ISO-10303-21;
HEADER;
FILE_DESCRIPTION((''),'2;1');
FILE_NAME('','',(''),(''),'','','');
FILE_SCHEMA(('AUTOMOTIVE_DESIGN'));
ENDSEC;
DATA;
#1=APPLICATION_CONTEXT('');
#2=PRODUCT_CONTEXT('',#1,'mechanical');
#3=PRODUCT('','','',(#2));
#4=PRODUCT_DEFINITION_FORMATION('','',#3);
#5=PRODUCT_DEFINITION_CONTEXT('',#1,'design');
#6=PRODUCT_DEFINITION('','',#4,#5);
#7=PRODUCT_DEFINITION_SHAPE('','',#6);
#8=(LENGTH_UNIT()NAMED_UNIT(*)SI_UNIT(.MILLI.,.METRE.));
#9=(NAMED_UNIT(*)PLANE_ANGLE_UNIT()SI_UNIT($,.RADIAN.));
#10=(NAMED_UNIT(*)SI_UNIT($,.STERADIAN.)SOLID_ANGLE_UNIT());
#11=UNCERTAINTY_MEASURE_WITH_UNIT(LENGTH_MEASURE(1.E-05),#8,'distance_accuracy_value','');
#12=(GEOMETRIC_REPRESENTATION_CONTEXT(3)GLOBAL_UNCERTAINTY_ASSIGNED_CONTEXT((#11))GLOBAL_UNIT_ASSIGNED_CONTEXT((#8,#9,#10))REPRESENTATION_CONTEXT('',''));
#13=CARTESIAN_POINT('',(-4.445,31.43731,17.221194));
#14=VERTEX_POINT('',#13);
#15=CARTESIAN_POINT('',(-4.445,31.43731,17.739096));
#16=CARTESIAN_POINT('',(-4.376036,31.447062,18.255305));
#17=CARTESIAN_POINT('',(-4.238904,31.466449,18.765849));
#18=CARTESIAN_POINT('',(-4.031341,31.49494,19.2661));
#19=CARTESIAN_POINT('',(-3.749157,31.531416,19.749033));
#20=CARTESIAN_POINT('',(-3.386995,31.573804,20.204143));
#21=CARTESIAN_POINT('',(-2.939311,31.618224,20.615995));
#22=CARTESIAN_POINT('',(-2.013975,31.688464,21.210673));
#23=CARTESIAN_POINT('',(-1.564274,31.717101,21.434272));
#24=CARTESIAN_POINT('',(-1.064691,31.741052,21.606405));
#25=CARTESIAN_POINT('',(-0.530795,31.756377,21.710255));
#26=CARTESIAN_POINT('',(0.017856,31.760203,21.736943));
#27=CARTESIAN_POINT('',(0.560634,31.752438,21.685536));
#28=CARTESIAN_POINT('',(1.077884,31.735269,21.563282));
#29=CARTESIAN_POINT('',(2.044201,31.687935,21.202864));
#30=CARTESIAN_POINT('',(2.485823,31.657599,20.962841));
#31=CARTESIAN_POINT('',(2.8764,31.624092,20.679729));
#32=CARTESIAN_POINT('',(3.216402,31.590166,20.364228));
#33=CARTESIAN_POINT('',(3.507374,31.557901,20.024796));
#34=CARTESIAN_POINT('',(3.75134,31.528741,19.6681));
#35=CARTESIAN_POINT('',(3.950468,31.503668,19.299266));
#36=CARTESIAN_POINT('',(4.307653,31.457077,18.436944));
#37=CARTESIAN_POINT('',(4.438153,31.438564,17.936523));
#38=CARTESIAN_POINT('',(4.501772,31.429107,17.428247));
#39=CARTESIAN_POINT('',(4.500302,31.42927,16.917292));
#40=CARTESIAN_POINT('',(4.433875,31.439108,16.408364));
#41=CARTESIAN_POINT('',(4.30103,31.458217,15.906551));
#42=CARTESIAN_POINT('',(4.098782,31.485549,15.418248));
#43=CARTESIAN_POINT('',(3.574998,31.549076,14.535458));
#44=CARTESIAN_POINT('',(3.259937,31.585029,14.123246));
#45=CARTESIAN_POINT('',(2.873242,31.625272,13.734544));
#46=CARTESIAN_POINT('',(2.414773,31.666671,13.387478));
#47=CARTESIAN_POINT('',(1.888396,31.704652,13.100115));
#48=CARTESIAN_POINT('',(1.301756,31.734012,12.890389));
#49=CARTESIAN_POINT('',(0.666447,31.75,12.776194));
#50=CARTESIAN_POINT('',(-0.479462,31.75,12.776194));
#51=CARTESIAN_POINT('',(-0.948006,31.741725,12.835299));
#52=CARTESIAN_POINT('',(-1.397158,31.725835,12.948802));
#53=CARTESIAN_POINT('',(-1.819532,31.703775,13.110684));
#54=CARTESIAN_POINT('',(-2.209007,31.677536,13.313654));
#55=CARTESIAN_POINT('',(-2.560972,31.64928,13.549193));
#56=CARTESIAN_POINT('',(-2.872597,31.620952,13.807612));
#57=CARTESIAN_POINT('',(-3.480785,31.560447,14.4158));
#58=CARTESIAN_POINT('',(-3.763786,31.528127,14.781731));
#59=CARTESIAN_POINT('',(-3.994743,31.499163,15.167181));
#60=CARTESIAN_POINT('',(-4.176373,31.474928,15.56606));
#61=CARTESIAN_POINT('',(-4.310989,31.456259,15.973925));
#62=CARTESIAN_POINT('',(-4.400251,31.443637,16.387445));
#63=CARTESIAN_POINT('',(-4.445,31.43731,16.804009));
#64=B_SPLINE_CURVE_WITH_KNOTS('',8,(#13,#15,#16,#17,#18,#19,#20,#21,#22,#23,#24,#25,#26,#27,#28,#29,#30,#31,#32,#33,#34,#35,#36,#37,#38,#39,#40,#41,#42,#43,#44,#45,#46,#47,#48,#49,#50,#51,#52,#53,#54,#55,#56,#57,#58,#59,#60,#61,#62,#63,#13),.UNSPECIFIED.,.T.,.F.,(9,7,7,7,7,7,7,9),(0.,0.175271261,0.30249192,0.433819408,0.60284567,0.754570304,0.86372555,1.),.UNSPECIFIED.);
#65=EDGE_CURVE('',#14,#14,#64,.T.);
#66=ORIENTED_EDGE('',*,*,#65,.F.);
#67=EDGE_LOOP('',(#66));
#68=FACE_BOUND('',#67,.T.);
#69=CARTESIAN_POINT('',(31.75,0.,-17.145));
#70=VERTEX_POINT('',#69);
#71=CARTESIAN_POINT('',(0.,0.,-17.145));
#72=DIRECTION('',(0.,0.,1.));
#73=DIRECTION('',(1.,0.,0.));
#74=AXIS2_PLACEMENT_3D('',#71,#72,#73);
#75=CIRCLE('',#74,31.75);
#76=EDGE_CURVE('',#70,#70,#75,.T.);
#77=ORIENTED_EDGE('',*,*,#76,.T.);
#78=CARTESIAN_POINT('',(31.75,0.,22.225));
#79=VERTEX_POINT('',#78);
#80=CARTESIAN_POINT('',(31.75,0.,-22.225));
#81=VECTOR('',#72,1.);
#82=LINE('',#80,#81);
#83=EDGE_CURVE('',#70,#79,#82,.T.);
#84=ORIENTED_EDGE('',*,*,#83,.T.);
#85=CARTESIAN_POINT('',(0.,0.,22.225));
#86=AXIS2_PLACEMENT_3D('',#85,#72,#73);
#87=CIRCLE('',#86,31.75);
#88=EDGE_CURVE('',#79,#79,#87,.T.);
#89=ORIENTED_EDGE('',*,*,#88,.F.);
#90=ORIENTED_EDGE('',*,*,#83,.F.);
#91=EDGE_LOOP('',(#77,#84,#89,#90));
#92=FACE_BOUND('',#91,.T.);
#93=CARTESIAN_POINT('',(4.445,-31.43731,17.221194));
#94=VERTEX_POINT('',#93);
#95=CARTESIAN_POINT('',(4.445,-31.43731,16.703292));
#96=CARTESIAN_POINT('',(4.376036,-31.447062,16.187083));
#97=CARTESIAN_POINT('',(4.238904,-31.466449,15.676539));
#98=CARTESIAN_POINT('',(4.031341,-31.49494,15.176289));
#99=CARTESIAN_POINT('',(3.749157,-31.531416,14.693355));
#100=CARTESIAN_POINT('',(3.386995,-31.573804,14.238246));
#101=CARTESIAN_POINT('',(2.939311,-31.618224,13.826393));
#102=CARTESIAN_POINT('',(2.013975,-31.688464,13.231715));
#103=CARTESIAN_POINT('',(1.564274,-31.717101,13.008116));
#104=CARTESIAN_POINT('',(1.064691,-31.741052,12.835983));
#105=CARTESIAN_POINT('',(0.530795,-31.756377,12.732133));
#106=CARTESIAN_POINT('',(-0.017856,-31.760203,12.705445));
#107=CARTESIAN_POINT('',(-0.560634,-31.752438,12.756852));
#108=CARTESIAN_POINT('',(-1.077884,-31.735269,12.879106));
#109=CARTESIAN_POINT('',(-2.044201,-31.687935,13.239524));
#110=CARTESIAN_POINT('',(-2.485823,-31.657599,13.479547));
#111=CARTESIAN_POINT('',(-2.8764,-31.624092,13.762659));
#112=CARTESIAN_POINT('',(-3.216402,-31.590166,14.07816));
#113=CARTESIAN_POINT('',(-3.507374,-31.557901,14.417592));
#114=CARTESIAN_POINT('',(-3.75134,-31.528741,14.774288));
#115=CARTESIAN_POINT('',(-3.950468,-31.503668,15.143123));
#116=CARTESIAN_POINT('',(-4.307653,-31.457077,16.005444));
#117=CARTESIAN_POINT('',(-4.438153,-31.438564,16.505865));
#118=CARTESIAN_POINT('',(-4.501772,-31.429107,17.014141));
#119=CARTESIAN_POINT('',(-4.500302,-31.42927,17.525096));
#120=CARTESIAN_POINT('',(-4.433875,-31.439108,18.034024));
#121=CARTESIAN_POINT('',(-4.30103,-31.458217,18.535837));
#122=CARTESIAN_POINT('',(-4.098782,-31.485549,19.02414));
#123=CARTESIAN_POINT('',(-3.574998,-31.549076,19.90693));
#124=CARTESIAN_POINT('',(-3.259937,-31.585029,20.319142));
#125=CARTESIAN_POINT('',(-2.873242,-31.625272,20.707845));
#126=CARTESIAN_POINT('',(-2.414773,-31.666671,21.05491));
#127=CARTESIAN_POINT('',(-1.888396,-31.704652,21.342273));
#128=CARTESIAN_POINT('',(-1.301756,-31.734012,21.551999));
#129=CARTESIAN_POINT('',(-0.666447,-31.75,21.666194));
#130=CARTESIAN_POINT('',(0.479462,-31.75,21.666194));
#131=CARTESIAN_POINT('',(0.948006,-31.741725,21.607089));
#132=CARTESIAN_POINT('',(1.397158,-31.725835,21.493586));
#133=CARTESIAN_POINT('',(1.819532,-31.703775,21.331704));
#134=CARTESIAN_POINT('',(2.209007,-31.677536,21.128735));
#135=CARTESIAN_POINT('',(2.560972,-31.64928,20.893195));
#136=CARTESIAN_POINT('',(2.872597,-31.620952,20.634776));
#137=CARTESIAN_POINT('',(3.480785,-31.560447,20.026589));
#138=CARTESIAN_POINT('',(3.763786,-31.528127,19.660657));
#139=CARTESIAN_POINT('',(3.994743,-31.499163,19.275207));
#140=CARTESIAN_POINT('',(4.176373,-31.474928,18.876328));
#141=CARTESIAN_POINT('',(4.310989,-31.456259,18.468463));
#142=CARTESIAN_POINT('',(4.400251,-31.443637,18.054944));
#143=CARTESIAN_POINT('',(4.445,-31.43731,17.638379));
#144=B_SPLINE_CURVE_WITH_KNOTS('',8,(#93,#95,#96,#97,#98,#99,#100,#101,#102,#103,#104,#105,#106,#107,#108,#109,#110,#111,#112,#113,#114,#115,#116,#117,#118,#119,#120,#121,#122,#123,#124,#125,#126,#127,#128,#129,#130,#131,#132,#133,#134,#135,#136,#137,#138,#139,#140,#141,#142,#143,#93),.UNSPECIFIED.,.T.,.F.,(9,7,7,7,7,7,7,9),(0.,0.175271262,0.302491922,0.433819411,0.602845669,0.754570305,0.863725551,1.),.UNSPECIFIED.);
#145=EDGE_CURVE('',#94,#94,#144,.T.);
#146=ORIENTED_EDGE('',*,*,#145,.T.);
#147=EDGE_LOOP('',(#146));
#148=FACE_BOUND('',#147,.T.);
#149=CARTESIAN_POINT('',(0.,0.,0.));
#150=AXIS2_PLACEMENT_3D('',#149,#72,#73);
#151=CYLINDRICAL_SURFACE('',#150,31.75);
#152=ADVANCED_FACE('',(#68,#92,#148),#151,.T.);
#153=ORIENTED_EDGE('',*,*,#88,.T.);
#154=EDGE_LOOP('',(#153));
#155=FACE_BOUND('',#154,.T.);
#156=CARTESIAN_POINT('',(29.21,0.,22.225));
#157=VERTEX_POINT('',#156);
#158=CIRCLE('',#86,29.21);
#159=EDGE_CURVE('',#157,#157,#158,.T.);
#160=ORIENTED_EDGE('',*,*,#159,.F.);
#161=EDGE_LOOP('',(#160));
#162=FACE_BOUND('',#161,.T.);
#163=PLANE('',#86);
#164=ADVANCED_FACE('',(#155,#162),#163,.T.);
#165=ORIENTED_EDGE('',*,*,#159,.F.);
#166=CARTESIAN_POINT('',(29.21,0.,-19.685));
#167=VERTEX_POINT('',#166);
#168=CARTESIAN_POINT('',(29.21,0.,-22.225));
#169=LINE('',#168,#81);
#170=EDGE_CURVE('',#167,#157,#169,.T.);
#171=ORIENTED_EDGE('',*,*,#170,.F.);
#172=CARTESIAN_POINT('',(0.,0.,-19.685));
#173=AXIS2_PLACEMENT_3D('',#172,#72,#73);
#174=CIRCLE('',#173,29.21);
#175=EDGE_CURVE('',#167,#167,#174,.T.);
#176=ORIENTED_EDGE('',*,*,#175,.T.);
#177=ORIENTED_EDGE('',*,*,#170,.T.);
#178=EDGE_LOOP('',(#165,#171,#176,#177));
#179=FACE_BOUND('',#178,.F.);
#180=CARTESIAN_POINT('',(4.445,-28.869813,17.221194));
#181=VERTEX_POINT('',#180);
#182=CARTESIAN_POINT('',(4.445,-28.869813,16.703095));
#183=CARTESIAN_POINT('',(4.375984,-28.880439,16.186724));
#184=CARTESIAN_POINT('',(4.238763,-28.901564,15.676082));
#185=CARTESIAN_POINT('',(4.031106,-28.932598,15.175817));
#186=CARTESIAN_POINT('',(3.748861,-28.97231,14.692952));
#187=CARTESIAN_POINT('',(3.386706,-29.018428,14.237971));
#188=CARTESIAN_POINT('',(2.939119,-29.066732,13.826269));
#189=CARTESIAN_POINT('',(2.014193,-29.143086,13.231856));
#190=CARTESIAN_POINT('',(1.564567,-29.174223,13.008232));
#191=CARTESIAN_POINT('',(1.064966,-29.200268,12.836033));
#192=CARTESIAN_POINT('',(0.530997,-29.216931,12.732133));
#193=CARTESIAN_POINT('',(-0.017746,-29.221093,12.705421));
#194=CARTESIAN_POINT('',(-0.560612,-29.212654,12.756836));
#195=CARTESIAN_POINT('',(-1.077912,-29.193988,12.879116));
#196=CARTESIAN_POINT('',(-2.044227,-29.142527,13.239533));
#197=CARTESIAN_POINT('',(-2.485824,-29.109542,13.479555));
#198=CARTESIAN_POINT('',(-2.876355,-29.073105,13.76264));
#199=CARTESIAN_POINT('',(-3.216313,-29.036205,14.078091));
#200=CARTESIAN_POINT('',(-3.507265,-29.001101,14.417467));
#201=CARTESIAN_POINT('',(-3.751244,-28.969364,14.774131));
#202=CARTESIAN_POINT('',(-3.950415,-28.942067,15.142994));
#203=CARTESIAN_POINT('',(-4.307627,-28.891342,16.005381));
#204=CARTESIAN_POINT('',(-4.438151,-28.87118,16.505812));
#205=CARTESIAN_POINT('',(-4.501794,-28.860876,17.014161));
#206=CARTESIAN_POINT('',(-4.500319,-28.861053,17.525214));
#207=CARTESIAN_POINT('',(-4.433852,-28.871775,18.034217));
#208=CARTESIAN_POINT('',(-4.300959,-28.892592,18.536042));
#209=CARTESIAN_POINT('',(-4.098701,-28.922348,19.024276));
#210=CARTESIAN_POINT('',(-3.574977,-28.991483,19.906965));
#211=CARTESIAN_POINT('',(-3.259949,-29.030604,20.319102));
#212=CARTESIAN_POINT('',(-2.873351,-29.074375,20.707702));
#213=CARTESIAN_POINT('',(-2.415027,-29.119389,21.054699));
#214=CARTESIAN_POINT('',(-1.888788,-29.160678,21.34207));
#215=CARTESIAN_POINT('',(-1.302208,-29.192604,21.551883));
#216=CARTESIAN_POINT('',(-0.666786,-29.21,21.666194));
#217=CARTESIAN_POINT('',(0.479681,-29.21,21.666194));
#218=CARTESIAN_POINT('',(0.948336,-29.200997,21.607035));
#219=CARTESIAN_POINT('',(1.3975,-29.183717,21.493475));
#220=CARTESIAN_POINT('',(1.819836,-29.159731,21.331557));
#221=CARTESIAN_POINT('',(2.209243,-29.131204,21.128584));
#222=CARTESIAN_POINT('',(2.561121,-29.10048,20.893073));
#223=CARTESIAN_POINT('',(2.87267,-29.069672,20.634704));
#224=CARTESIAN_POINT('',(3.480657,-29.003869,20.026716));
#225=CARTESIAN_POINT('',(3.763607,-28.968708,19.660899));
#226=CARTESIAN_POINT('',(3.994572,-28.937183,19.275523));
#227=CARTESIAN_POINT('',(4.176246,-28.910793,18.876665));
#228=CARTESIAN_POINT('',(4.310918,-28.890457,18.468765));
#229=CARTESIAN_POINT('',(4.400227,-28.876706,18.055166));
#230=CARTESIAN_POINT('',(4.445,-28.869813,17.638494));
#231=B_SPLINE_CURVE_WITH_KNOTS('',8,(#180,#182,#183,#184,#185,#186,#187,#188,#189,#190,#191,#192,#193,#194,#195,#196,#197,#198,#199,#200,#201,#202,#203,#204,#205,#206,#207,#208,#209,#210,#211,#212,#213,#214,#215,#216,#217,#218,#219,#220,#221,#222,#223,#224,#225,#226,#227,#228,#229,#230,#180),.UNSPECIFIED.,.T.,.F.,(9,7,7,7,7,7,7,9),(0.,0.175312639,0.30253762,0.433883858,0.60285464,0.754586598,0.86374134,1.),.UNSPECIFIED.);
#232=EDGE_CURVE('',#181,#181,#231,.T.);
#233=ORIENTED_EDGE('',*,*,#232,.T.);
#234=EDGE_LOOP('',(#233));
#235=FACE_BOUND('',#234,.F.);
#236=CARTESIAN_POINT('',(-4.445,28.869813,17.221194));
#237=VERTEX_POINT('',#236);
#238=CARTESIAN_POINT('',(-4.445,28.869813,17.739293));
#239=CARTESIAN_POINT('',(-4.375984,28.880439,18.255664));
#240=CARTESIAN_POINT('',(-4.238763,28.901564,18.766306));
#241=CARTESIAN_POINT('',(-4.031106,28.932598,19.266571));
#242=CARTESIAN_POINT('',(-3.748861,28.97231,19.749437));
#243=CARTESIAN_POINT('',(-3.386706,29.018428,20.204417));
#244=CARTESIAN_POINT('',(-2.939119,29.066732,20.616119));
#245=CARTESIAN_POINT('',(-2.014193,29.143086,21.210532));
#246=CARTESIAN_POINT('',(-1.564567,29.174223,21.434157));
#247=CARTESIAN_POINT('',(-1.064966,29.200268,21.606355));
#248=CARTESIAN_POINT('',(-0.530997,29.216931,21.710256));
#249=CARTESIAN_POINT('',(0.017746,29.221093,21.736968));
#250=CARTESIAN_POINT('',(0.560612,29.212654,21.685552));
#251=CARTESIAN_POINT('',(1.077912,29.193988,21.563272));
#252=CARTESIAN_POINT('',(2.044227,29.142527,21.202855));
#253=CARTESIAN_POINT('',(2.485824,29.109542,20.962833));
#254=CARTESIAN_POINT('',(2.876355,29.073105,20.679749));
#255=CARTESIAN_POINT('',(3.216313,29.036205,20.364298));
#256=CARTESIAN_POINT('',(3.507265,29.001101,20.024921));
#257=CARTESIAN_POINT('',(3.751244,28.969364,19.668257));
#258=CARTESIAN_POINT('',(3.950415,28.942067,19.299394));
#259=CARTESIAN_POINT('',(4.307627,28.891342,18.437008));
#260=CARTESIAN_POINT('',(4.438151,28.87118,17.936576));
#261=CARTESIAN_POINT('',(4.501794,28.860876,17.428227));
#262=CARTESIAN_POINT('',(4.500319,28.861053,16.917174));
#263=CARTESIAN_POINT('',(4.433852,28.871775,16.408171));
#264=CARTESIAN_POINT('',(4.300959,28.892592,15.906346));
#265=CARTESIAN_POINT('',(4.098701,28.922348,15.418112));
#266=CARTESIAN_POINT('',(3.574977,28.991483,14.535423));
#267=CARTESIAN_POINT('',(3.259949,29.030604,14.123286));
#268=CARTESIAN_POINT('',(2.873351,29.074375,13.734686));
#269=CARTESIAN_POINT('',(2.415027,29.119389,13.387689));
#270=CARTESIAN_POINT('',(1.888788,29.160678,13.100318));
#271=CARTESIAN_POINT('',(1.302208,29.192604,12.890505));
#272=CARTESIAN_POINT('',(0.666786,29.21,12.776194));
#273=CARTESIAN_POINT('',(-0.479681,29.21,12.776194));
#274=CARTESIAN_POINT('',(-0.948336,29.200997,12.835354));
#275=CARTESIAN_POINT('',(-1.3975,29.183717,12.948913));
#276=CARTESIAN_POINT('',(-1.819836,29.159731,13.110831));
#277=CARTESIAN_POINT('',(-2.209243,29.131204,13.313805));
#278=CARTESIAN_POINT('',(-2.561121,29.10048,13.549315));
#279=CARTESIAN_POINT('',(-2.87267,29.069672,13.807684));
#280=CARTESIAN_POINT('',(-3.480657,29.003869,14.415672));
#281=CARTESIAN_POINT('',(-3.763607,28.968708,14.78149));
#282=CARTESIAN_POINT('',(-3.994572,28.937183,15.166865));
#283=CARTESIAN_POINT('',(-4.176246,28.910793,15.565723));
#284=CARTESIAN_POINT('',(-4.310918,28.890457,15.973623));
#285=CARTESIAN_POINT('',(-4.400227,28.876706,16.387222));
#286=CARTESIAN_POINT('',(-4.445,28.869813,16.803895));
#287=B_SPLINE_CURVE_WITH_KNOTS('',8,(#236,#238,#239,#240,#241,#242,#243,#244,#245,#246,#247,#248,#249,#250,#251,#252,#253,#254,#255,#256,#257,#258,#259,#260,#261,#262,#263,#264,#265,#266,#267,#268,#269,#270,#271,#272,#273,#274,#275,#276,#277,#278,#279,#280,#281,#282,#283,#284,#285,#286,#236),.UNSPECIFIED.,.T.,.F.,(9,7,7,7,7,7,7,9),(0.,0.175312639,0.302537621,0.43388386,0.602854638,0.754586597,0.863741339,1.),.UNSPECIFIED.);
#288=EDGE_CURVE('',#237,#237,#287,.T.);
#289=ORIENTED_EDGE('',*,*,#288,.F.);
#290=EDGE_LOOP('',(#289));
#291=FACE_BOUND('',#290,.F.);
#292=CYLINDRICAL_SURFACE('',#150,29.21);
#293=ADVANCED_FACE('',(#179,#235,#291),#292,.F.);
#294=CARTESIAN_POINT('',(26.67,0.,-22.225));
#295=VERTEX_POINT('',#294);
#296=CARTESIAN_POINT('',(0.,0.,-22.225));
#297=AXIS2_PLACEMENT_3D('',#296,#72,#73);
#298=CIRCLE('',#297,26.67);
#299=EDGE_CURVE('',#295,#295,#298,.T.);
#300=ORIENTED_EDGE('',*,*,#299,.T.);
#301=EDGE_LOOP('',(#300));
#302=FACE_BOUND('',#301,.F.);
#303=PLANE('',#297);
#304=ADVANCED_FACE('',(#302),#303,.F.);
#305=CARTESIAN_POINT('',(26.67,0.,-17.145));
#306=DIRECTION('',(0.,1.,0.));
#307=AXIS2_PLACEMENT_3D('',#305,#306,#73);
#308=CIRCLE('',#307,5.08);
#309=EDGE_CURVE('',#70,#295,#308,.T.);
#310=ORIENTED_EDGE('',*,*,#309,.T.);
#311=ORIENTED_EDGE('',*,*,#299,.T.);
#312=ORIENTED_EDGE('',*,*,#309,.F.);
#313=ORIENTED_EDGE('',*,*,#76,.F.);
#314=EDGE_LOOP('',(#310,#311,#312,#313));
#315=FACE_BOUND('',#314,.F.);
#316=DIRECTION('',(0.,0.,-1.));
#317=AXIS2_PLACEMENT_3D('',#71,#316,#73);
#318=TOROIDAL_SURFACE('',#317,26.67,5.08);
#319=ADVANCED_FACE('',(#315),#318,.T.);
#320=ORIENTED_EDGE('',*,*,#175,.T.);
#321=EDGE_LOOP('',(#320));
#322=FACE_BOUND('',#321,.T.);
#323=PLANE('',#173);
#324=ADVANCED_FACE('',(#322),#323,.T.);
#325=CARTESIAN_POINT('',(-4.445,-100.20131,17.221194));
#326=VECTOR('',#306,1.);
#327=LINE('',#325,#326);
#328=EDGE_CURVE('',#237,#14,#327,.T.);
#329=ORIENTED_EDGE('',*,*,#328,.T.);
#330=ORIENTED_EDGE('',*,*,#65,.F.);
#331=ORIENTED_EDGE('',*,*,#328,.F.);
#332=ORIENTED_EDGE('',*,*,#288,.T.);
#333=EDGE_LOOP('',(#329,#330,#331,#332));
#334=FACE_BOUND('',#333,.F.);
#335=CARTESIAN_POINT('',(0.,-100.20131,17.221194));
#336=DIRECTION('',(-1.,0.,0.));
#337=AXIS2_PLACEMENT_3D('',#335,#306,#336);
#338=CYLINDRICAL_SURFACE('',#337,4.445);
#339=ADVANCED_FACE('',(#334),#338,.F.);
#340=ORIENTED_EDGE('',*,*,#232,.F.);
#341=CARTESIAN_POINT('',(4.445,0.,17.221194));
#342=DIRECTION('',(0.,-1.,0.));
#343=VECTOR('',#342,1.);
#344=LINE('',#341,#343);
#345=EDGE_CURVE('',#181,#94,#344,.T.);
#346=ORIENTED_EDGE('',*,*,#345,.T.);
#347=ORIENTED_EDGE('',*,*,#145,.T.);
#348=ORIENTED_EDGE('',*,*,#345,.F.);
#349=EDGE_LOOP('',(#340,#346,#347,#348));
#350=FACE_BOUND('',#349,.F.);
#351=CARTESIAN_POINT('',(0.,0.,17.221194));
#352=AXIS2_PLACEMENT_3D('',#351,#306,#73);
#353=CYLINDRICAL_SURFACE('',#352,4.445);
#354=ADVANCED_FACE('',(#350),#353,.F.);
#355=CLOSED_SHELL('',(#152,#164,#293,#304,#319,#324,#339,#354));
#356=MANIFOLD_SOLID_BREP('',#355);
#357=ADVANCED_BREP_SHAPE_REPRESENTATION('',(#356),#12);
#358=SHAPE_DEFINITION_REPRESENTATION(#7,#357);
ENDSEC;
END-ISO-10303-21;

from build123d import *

# Parameters (mm, degrees)
F0_R     = 31.75
F1_DEPTH = 22.225
F2_T     = -2.54
F4_D     = 8.89
F4_DEPTH = 31.751
F5_D     = 8.89
F6_R     = 5.08


with BuildPart() as f1:
    # F0 (on Top) → F1 (new body, symmetric)
    with BuildSketch(Plane.XY):
        Circle(F0_R)
    extrude(amount=F1_DEPTH, both=True)

    # F2
    f2_openings = [f1.faces().sort_by_distance(p)[0] for p in [
        (0, 0, 22.225),
    ]]
    offset(amount=F2_T, openings=f2_openings)

    # F4 (through all, one way)
    with BuildSketch(Plane(origin=(0, 0, 0), x_dir=(1, 0, 0), z_dir=(0, 1, 0))):
        with Locations((0, -17.2211941394)):
            Circle(F4_D / 2)
    extrude(amount=-F4_DEPTH, mode=Mode.SUBTRACT)

    # F5 (through all)
    with Locations(Plane.XZ):
        with Locations((0, 17.2211941394)):
            Hole(F5_D / 2)

    # F6
    f6_edges = [f1.edges().sort_by_distance(p)[0] for p in [
        (-31.75, 0, -22.225),
    ]]
    fillet(f6_edges, radius=F6_R)


solid = f1.part
